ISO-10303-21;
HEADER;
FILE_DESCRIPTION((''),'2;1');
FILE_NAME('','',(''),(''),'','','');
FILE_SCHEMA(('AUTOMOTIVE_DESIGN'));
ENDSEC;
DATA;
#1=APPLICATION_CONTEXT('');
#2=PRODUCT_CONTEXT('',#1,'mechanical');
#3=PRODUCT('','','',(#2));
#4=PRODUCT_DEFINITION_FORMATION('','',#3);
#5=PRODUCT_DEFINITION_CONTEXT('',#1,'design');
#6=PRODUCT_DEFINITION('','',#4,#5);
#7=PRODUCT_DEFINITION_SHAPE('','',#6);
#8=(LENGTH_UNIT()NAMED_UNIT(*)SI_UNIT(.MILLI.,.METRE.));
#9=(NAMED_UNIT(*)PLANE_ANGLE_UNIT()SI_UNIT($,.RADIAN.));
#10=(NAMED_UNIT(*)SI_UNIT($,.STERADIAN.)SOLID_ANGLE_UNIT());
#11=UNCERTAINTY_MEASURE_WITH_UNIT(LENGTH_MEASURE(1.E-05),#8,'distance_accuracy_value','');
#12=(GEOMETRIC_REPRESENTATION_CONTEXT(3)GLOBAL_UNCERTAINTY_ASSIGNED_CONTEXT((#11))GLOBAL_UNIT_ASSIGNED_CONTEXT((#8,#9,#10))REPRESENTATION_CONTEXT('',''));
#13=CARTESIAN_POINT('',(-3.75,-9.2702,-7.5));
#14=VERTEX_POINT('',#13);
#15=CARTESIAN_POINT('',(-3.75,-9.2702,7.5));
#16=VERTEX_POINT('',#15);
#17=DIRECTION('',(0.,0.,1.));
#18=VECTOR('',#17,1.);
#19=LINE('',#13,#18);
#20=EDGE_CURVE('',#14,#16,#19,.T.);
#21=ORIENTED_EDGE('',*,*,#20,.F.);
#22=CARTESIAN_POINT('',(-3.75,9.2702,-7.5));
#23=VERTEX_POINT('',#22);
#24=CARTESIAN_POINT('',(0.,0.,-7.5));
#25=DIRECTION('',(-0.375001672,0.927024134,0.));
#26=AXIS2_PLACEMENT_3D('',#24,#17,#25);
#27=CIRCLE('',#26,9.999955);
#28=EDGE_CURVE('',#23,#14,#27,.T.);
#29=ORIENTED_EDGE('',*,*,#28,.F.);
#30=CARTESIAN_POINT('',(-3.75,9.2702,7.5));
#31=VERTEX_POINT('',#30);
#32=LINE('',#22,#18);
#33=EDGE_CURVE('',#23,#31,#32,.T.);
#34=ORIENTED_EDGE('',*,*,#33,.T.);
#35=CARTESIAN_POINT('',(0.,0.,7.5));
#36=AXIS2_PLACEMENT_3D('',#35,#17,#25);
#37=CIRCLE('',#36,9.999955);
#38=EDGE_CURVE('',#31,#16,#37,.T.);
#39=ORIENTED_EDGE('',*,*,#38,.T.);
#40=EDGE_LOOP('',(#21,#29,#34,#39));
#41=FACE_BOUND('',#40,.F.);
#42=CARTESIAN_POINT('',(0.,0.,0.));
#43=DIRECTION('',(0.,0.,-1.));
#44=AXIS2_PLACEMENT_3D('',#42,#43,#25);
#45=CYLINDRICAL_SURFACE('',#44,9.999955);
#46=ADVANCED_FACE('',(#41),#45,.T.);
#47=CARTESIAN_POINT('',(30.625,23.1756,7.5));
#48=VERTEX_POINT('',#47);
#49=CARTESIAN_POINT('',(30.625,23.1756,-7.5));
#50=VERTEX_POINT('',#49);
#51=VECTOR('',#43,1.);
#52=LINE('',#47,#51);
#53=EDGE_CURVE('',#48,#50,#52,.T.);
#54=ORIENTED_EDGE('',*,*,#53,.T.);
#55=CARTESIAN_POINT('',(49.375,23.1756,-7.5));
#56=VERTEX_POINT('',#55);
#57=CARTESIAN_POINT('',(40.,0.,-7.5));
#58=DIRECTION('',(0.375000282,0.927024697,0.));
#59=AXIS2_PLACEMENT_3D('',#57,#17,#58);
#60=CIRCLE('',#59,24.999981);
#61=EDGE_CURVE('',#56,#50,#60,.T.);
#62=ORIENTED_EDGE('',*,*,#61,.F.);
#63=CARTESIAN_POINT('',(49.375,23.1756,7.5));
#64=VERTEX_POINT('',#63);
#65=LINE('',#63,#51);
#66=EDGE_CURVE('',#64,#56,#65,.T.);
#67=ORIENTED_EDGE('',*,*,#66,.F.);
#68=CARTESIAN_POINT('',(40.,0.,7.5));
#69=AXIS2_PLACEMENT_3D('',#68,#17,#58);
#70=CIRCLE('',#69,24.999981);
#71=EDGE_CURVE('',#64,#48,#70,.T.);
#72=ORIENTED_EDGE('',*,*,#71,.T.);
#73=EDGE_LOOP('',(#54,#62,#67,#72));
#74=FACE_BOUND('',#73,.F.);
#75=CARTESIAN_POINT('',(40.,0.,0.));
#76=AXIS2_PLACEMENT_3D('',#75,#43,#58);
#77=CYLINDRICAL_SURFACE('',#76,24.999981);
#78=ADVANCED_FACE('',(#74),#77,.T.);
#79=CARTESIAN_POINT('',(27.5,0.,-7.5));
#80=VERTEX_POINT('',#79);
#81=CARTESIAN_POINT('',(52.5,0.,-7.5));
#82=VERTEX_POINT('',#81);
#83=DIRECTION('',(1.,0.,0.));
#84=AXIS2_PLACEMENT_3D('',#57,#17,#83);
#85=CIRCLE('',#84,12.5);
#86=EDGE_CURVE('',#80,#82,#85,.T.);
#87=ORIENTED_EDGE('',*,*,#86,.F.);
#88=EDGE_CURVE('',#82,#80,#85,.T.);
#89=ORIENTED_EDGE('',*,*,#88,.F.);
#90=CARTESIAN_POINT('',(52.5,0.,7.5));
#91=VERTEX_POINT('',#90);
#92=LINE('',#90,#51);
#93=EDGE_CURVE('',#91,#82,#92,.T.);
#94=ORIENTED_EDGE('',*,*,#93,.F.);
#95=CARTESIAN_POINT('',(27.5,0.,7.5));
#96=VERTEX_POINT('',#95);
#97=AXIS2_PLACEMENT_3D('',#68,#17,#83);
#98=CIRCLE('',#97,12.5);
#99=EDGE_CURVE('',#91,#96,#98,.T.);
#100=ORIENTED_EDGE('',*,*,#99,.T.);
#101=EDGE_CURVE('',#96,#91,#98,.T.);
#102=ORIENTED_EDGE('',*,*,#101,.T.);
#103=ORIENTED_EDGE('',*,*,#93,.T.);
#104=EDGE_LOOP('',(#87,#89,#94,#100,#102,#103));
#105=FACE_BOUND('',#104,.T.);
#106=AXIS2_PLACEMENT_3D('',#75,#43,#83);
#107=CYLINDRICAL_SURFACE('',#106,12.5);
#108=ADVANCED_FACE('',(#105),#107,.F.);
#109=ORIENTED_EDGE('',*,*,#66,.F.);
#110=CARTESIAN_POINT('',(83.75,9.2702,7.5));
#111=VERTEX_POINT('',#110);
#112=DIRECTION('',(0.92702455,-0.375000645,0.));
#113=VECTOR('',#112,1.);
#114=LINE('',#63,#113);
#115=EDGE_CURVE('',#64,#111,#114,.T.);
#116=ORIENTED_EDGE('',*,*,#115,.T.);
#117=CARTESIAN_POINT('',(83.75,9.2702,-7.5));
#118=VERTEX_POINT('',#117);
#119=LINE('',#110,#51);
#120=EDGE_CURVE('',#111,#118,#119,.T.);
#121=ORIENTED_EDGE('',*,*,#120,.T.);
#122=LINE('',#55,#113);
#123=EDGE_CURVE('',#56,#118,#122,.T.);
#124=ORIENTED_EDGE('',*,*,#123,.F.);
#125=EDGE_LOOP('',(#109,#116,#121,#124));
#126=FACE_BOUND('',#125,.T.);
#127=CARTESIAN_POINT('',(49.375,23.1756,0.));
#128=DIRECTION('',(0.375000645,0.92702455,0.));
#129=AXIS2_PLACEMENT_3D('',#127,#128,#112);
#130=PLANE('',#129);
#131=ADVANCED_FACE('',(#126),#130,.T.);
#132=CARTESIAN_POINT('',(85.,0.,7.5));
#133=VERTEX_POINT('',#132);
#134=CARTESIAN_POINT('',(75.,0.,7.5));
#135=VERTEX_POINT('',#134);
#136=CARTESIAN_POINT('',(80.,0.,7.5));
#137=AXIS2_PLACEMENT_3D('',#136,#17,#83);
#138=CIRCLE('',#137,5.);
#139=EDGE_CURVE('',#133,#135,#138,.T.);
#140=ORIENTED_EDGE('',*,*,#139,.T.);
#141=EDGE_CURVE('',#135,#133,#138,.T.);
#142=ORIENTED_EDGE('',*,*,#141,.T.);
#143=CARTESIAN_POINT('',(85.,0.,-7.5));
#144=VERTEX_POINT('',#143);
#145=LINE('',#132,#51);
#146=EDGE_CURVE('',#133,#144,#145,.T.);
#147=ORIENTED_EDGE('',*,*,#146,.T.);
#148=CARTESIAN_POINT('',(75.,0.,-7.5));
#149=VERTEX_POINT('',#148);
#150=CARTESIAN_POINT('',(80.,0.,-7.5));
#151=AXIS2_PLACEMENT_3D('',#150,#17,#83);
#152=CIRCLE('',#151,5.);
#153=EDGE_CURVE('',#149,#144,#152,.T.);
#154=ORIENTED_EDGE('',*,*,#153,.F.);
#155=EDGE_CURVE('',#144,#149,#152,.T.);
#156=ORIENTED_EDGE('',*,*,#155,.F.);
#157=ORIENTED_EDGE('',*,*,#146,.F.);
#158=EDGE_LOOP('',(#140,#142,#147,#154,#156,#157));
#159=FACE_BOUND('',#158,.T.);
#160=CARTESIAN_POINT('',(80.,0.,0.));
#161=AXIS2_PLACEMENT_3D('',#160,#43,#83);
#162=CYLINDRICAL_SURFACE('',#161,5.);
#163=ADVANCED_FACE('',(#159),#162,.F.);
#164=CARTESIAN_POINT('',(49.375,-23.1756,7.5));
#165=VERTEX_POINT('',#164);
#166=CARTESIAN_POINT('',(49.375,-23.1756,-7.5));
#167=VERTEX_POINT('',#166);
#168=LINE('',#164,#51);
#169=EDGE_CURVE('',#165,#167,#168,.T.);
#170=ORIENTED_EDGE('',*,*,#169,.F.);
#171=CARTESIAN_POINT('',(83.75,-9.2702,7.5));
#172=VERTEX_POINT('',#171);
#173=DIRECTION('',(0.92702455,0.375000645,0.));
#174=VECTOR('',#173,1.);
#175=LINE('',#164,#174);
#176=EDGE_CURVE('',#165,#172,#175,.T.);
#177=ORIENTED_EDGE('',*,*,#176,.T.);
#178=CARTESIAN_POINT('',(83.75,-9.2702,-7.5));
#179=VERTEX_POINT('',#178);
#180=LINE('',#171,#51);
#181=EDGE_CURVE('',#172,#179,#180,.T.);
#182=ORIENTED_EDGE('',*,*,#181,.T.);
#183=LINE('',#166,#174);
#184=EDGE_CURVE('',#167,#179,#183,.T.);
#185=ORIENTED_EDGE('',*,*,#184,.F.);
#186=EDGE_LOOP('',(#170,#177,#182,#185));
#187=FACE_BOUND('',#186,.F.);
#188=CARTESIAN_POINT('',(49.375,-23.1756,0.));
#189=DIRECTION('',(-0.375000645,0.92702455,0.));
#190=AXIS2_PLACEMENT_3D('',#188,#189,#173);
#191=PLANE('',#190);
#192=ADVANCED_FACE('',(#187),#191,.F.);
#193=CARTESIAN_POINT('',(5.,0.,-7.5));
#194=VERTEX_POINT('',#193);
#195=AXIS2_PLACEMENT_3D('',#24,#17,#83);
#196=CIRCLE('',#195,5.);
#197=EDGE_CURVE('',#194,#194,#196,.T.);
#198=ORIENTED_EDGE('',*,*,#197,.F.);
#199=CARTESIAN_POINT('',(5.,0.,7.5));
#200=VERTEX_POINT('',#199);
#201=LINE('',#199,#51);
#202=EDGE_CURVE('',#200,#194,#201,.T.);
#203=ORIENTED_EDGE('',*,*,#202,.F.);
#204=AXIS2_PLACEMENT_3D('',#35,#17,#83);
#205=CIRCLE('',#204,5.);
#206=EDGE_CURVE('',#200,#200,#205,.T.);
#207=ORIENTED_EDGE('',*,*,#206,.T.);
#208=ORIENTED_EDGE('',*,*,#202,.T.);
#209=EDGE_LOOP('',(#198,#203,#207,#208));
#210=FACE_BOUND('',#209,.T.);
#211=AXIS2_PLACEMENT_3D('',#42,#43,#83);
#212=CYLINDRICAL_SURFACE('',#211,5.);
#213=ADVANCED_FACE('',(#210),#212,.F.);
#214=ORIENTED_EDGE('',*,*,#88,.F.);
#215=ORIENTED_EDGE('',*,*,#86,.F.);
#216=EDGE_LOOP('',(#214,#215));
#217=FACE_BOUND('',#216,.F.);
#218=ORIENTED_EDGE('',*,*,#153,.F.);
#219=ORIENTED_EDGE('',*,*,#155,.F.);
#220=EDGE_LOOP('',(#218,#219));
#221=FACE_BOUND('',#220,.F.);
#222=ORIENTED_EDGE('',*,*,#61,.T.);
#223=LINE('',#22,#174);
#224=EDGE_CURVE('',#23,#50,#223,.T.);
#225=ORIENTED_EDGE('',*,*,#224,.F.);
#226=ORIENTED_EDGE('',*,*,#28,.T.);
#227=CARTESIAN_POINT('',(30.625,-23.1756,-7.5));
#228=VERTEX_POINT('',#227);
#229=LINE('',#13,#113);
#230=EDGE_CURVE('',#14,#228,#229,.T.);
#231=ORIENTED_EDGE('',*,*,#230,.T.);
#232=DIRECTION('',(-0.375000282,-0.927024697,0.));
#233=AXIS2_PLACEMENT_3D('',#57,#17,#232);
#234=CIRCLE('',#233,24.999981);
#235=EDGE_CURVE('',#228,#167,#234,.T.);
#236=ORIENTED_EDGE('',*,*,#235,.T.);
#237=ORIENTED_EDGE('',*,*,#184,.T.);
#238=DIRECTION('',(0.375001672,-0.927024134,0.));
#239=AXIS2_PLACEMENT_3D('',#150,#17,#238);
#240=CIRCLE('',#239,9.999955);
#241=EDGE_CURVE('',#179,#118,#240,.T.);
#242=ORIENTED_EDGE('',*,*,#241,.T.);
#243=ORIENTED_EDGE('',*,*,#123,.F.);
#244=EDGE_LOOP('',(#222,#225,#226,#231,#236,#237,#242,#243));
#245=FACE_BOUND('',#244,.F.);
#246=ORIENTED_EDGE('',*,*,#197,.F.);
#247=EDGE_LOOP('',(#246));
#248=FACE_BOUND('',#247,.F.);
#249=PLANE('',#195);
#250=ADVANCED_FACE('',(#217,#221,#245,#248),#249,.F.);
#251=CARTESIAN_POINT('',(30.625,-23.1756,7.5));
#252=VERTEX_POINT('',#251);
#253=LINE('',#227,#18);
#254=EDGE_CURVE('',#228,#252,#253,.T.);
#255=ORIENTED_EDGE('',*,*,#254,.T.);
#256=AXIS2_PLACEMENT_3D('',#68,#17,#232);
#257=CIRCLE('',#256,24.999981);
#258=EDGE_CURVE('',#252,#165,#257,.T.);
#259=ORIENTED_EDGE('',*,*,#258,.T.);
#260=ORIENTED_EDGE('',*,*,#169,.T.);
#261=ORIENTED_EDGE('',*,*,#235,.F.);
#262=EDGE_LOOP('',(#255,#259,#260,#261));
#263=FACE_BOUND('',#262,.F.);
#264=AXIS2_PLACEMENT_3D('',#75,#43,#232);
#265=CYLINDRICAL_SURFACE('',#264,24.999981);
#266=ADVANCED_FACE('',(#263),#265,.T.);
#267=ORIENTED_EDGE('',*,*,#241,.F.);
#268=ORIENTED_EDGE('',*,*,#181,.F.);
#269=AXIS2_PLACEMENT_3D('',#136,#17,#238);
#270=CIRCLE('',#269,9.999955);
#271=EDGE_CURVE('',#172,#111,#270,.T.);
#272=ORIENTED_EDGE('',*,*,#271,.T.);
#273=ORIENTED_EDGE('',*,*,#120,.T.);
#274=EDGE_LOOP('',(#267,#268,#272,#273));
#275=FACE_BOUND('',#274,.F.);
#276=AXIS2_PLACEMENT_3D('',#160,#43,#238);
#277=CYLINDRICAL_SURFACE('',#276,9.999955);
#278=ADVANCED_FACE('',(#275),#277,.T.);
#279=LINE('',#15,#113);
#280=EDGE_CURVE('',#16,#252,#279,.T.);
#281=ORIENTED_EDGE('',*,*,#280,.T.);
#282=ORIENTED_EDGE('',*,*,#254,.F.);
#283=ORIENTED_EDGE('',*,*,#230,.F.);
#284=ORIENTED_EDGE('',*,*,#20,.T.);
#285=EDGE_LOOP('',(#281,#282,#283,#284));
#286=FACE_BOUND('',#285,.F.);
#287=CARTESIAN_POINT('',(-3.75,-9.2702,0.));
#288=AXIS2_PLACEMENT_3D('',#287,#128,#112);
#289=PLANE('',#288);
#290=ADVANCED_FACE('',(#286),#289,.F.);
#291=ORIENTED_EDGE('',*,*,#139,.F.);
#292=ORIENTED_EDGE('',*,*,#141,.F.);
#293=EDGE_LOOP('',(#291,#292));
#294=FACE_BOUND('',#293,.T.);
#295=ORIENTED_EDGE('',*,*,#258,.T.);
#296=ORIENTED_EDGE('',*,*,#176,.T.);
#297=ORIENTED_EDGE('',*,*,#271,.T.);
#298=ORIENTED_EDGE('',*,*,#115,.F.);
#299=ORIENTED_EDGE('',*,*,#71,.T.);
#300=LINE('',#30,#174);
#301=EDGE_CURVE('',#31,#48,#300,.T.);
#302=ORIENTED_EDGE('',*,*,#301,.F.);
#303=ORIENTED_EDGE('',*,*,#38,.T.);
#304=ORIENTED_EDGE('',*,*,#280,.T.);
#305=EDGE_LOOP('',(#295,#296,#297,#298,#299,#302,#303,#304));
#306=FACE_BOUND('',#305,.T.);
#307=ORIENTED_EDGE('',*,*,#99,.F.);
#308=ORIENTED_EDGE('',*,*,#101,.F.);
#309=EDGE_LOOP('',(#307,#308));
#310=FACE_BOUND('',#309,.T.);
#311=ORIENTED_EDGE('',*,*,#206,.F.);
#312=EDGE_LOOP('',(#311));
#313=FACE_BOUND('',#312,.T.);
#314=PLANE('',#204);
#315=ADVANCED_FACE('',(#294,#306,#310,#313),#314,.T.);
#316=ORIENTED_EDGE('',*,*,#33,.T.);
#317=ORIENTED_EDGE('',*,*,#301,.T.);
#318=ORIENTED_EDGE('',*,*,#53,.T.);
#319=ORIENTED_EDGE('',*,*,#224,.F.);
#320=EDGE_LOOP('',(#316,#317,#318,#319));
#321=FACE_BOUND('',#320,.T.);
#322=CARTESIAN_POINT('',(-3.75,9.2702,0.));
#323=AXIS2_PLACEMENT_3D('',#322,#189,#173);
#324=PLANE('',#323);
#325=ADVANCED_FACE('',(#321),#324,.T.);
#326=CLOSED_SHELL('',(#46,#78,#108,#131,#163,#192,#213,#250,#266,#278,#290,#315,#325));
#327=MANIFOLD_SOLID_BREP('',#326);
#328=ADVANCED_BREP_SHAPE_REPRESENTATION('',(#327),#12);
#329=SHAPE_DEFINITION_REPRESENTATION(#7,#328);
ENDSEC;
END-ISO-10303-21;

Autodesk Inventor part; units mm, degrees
ref_plane "YZ Plane" through (0, 0, 0) normal (1, 0, 0) x (0, 1, 0)
ref_plane "XZ Plane" through (0, 0, 0) normal (0, 1, 0) x (-1, 0, 0)
ref_plane "XY Plane" through (0, 0, 0) normal (0, 0, 1) x (1, 0, 0)
sketch "Sketch1" plane through (0, 0, 0) normal (0, 0, 1) x (1, 0, 0)
  line L0 (0, 0) -> (80, 0)
  circle A0 centre (0, 0) radius 5
  arc A1 (-3.75, 9.2702) -> (-3.75, -9.2702) centre (0, 0) ccw
  circle A2 centre (80, 0) radius 5
  arc A3 (83.75, -9.2702) -> (83.75, 9.2702) centre (80, 0) ccw
  circle A4 centre (40, 0) radius 12.5
  line L1 (-3.75, 9.2702) -> (30.625, 23.1756)
  line L2 (-3.75, -9.2702) -> (30.625, -23.1756)
  line L3 (49.375, -23.1756) -> (83.75, -9.2702)
  line L4 (106.6667, 0) -> (111.5084, 1.9586)
  line L5 (49.375, 23.1756) -> (83.75, 9.2702)
  line L6 (106.6667, 0) -> (112.4269, -2.3301)
  arc A5 (30.625, -23.1756) -> (49.375, -23.1756) centre (40, 0) ccw
  arc A6 (49.375, 23.1756) -> (30.625, 23.1756) centre (40, 0) ccw
  dimension "d0" = 80
  dimension "d1" = 20
  dimension "d2" = 10
  dimension "d4" = 25
  dimension "d5" = 20
  dimension "d6" = 10
  dimension "d7" = 40
extrude "Extrusion1" add sketch "Sketch1" along normal mid plane 15
